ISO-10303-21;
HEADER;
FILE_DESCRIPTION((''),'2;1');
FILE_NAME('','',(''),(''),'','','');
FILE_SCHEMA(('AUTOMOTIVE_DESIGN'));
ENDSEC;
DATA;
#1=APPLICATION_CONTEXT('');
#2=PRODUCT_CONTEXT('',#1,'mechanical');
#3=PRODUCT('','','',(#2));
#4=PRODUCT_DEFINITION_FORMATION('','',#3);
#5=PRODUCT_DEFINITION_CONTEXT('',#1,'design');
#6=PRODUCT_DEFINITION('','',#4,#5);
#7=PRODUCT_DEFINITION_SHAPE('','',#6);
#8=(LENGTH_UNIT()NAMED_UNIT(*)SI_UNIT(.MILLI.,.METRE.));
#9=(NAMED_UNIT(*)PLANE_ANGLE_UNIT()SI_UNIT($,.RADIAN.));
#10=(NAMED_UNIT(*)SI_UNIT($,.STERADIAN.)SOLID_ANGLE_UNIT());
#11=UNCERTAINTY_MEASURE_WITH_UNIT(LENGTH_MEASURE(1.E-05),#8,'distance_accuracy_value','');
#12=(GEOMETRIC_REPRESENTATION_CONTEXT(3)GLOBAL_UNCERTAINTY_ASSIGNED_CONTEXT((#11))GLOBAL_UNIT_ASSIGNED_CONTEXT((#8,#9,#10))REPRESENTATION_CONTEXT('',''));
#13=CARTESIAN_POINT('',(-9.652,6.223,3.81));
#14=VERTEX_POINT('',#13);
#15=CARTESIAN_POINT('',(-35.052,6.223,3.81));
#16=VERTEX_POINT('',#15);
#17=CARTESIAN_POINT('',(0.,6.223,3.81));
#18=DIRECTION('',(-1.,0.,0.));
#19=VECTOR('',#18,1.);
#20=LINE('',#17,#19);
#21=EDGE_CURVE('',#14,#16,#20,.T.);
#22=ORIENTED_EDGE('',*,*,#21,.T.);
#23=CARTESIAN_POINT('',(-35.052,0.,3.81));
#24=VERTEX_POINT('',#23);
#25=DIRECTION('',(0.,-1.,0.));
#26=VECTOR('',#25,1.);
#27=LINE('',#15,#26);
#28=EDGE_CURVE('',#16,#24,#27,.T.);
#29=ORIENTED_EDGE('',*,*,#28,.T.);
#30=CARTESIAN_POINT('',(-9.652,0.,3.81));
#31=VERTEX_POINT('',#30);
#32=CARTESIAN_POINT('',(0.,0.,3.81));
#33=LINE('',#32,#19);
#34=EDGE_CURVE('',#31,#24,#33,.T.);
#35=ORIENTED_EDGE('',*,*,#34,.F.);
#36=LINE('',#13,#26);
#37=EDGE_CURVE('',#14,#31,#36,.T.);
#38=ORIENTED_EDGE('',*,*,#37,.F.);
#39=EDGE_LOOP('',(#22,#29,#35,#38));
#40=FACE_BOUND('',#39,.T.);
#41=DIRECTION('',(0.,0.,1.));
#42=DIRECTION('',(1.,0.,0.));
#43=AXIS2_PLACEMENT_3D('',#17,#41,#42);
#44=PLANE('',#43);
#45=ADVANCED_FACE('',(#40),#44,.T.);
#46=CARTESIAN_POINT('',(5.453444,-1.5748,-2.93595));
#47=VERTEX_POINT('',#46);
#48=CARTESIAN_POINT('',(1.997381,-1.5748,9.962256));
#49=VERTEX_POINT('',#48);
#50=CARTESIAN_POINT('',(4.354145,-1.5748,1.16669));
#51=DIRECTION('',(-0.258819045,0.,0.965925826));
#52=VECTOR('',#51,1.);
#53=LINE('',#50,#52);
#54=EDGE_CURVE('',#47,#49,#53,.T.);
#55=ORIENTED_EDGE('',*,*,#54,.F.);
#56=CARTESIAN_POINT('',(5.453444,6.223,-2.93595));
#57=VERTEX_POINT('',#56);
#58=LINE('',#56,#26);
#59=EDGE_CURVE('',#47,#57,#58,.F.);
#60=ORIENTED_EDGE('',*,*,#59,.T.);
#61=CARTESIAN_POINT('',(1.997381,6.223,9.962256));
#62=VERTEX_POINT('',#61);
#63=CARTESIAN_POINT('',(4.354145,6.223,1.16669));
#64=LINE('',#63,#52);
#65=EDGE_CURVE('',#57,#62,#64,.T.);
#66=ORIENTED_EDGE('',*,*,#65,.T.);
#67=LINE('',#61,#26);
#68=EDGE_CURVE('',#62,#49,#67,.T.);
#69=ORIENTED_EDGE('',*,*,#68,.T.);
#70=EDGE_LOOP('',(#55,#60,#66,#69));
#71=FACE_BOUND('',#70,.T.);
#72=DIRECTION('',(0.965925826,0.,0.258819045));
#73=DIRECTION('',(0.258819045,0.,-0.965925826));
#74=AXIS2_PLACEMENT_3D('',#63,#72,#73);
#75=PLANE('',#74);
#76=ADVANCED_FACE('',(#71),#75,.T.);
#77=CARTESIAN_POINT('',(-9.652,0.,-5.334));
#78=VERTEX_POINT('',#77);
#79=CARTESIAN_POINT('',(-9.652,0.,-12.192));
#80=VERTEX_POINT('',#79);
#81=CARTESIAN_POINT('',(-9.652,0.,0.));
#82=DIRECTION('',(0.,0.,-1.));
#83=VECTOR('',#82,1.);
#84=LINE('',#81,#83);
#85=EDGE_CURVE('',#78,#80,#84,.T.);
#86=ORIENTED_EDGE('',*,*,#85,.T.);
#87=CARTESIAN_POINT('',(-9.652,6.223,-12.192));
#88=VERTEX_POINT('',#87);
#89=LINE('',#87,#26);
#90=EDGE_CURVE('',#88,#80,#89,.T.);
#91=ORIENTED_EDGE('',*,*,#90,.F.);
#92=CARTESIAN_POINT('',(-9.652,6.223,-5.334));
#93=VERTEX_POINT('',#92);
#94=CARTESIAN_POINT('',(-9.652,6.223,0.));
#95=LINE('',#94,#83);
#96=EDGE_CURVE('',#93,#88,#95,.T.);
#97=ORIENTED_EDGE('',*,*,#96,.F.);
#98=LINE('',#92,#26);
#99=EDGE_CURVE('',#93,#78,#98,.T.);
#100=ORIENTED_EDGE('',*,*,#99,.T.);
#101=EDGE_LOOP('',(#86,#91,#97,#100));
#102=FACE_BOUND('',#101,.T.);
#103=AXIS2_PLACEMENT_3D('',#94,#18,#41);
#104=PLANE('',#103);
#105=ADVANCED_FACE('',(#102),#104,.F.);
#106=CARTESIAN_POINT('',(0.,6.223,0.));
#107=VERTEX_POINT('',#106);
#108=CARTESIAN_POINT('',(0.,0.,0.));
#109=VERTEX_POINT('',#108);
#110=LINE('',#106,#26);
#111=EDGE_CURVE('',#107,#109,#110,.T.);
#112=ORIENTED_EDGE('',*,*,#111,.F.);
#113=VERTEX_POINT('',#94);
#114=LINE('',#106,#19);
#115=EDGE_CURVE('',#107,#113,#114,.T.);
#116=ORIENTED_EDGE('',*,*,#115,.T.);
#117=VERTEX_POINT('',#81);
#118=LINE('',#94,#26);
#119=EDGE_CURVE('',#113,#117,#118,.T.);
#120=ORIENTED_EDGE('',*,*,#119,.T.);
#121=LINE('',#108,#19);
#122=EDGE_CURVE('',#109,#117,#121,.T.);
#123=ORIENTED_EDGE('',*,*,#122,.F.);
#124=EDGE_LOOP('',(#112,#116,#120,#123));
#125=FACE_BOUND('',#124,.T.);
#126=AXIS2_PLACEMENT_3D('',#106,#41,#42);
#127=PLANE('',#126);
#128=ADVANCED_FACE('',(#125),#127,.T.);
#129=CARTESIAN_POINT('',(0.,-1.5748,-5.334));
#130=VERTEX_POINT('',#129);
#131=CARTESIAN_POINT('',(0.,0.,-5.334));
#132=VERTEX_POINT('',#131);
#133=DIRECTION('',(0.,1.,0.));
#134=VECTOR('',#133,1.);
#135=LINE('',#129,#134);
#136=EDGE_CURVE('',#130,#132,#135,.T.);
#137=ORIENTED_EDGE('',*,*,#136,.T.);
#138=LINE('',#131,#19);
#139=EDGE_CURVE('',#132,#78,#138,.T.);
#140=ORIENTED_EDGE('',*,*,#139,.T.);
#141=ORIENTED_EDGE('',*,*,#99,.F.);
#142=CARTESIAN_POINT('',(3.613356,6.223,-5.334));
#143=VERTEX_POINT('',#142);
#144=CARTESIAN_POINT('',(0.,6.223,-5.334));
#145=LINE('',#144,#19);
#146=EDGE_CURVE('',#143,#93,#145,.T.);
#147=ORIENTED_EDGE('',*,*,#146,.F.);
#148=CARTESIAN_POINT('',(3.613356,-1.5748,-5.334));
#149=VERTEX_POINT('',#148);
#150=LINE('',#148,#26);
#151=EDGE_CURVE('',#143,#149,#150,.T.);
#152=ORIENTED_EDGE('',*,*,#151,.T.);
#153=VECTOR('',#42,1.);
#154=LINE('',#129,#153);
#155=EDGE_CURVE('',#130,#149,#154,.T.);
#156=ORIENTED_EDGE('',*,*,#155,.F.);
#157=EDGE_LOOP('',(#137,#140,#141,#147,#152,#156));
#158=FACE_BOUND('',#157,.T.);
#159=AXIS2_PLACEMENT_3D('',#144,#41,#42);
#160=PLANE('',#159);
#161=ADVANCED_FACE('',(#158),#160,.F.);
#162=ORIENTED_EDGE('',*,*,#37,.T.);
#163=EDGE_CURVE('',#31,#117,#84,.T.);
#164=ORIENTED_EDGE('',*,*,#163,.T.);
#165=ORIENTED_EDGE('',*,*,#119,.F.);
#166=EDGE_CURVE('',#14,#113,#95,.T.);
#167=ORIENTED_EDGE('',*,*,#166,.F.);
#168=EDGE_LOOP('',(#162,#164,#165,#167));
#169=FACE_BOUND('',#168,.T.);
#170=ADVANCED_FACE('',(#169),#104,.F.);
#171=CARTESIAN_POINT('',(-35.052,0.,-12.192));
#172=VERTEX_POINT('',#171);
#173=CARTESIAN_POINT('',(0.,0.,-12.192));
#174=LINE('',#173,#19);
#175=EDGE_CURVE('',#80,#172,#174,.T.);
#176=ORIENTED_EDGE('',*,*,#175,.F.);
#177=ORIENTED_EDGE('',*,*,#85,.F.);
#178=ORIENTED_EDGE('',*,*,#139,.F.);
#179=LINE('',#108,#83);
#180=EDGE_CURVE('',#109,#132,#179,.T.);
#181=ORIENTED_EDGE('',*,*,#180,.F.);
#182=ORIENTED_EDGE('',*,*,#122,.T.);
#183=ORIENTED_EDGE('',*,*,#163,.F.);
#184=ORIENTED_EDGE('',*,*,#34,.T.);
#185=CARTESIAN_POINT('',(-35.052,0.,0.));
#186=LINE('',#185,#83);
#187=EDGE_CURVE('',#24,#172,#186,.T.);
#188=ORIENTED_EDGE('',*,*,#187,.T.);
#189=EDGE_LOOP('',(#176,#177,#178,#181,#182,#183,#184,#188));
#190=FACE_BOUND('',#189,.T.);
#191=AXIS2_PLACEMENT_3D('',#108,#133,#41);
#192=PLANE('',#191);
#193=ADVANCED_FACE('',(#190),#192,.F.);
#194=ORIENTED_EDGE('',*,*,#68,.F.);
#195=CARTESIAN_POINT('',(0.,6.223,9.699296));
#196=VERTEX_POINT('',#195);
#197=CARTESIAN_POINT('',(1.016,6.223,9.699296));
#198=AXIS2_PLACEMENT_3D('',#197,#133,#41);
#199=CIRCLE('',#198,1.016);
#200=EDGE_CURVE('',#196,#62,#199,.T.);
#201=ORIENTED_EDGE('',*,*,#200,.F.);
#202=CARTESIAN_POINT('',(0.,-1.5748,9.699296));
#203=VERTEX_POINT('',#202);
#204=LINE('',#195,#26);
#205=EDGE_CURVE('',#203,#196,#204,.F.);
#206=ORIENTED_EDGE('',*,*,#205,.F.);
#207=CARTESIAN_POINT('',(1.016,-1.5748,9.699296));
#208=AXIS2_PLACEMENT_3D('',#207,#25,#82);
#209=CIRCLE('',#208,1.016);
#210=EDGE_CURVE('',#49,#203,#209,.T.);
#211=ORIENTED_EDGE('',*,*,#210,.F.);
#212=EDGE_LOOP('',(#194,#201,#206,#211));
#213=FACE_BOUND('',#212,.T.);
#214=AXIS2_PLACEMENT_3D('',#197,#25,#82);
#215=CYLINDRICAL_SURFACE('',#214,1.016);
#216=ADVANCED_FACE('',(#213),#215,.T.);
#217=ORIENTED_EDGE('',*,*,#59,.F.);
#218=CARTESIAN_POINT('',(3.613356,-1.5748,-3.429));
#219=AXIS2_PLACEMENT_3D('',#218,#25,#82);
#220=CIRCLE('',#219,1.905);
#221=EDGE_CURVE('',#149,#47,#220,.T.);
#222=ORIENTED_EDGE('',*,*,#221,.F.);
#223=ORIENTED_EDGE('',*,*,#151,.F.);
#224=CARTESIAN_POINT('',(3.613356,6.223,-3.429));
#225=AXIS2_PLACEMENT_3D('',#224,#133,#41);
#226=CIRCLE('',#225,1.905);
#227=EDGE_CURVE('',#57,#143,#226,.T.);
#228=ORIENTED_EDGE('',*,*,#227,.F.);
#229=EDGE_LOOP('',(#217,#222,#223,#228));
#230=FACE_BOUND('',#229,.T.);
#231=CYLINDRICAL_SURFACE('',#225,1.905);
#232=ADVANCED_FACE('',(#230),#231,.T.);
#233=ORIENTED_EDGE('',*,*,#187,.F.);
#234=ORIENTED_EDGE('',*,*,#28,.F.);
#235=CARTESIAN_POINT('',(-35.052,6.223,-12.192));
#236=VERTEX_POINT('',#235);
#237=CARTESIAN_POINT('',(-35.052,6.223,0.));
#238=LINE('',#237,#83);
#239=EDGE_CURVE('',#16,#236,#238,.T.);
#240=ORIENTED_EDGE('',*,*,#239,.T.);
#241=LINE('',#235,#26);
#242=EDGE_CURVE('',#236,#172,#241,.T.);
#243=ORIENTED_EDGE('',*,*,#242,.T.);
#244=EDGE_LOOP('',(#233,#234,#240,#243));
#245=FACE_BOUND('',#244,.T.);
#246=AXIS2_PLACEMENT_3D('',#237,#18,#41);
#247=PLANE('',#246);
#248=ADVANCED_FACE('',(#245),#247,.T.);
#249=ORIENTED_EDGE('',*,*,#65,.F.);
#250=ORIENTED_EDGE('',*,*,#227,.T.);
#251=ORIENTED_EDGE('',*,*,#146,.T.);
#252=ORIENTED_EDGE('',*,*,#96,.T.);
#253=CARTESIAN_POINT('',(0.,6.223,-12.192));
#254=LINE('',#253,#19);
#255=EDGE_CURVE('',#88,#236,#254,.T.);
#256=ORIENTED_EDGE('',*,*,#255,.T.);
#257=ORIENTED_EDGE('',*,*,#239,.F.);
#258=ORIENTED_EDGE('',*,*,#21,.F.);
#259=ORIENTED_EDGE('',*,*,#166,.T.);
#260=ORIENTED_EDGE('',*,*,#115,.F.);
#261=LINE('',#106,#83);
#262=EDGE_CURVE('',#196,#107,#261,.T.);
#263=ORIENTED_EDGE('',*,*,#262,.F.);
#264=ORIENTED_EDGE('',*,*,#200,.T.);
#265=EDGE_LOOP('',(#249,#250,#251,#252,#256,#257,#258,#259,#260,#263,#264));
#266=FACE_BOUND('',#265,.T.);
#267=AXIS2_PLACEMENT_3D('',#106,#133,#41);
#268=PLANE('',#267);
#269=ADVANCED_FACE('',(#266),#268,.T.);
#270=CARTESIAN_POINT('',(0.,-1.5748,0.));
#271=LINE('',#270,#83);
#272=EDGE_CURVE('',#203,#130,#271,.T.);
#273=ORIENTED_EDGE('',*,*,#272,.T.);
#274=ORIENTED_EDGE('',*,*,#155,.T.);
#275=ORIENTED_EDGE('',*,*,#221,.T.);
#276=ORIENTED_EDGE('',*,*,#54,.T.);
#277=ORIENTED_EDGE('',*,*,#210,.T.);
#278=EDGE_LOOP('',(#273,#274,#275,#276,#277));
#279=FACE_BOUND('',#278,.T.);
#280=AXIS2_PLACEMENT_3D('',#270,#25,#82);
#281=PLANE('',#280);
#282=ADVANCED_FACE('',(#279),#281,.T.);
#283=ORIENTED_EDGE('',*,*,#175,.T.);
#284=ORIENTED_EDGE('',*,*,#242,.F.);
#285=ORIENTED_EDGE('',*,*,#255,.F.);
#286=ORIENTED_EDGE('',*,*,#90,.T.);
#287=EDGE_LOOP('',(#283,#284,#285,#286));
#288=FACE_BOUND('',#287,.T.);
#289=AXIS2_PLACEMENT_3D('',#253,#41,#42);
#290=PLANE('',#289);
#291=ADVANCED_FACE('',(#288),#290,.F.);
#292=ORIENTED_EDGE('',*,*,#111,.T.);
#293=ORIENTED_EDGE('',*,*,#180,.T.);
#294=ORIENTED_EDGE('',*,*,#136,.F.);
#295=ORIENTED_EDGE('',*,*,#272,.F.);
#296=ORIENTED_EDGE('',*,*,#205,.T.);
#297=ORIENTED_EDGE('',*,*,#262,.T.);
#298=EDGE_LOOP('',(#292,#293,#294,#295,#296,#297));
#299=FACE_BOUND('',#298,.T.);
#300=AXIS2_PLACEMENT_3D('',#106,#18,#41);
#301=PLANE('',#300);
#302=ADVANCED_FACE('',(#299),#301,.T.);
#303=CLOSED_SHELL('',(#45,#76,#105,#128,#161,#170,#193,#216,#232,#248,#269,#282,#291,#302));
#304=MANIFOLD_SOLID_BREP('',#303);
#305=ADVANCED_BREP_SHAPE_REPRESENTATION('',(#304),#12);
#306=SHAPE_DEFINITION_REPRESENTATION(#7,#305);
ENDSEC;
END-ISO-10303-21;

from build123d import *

# Parameters (mm, degrees)
SKETCH2_W           = 9.652
SKETCH2_H           = 5.334
BOSS_EXTRUDE1_DEPTH = 6.223
FILLET1_R           = 1.016
BOSS_EXTRUDE2_DEPTH = 1.5748
FILLET2_R           = 1.905


with BuildPart() as part:
    # Sketch2 → Boss-Extrude1 (new body)
    with BuildSketch(Plane(origin=(0, 0, 0), x_dir=(1, 0, 0), z_dir=(0, 1, 0))):
        Polygon((-9.652, 0), (-9.652, 5.334), (-9.652, 12.192), (-35.052, 12.192), (-35.052, -3.81), (-9.652, -3.81), align=None)
        with Locations((-4.826, 2.667)):
            Rectangle(SKETCH2_W, SKETCH2_H)
        Polygon((0, -17.416581723), (6.096, 5.334), (0, 5.334), (0, 0), align=None)
    extrude(amount=BOSS_EXTRUDE1_DEPTH)

    # Fillet1
    fillet1_edges = [part.edges().sort_by_distance(p)[0] for p in [
        (0, 3.1115, 17.416581723),
    ]]
    fillet(fillet1_edges, radius=FILLET1_R)

    # Sketch3 → Boss-Extrude2 (add)
    with BuildSketch(Plane.XZ):
        with BuildLine():
            Line((0, 9.699295544), (0, 0))
            Line((0, 0), (0, -5.334))
            Line((0, -5.334), (6.096, -5.334))
            Line((6.096, -5.334), (1.99738064, 9.962255694))
            ThreePointArc((1.99738064, 9.962255694), (0.883385389, 10.706603524), (0, 9.699295544))
        make_face()
    extrude(amount=BOSS_EXTRUDE2_DEPTH)

    # Fillet2
    fillet2_edges = [part.edges().sort_by_distance(p)[0] for p in [
        (6.096, 2.3241, -5.334),
    ]]
    fillet(fillet2_edges, radius=FILLET2_R)


solid = part.part
